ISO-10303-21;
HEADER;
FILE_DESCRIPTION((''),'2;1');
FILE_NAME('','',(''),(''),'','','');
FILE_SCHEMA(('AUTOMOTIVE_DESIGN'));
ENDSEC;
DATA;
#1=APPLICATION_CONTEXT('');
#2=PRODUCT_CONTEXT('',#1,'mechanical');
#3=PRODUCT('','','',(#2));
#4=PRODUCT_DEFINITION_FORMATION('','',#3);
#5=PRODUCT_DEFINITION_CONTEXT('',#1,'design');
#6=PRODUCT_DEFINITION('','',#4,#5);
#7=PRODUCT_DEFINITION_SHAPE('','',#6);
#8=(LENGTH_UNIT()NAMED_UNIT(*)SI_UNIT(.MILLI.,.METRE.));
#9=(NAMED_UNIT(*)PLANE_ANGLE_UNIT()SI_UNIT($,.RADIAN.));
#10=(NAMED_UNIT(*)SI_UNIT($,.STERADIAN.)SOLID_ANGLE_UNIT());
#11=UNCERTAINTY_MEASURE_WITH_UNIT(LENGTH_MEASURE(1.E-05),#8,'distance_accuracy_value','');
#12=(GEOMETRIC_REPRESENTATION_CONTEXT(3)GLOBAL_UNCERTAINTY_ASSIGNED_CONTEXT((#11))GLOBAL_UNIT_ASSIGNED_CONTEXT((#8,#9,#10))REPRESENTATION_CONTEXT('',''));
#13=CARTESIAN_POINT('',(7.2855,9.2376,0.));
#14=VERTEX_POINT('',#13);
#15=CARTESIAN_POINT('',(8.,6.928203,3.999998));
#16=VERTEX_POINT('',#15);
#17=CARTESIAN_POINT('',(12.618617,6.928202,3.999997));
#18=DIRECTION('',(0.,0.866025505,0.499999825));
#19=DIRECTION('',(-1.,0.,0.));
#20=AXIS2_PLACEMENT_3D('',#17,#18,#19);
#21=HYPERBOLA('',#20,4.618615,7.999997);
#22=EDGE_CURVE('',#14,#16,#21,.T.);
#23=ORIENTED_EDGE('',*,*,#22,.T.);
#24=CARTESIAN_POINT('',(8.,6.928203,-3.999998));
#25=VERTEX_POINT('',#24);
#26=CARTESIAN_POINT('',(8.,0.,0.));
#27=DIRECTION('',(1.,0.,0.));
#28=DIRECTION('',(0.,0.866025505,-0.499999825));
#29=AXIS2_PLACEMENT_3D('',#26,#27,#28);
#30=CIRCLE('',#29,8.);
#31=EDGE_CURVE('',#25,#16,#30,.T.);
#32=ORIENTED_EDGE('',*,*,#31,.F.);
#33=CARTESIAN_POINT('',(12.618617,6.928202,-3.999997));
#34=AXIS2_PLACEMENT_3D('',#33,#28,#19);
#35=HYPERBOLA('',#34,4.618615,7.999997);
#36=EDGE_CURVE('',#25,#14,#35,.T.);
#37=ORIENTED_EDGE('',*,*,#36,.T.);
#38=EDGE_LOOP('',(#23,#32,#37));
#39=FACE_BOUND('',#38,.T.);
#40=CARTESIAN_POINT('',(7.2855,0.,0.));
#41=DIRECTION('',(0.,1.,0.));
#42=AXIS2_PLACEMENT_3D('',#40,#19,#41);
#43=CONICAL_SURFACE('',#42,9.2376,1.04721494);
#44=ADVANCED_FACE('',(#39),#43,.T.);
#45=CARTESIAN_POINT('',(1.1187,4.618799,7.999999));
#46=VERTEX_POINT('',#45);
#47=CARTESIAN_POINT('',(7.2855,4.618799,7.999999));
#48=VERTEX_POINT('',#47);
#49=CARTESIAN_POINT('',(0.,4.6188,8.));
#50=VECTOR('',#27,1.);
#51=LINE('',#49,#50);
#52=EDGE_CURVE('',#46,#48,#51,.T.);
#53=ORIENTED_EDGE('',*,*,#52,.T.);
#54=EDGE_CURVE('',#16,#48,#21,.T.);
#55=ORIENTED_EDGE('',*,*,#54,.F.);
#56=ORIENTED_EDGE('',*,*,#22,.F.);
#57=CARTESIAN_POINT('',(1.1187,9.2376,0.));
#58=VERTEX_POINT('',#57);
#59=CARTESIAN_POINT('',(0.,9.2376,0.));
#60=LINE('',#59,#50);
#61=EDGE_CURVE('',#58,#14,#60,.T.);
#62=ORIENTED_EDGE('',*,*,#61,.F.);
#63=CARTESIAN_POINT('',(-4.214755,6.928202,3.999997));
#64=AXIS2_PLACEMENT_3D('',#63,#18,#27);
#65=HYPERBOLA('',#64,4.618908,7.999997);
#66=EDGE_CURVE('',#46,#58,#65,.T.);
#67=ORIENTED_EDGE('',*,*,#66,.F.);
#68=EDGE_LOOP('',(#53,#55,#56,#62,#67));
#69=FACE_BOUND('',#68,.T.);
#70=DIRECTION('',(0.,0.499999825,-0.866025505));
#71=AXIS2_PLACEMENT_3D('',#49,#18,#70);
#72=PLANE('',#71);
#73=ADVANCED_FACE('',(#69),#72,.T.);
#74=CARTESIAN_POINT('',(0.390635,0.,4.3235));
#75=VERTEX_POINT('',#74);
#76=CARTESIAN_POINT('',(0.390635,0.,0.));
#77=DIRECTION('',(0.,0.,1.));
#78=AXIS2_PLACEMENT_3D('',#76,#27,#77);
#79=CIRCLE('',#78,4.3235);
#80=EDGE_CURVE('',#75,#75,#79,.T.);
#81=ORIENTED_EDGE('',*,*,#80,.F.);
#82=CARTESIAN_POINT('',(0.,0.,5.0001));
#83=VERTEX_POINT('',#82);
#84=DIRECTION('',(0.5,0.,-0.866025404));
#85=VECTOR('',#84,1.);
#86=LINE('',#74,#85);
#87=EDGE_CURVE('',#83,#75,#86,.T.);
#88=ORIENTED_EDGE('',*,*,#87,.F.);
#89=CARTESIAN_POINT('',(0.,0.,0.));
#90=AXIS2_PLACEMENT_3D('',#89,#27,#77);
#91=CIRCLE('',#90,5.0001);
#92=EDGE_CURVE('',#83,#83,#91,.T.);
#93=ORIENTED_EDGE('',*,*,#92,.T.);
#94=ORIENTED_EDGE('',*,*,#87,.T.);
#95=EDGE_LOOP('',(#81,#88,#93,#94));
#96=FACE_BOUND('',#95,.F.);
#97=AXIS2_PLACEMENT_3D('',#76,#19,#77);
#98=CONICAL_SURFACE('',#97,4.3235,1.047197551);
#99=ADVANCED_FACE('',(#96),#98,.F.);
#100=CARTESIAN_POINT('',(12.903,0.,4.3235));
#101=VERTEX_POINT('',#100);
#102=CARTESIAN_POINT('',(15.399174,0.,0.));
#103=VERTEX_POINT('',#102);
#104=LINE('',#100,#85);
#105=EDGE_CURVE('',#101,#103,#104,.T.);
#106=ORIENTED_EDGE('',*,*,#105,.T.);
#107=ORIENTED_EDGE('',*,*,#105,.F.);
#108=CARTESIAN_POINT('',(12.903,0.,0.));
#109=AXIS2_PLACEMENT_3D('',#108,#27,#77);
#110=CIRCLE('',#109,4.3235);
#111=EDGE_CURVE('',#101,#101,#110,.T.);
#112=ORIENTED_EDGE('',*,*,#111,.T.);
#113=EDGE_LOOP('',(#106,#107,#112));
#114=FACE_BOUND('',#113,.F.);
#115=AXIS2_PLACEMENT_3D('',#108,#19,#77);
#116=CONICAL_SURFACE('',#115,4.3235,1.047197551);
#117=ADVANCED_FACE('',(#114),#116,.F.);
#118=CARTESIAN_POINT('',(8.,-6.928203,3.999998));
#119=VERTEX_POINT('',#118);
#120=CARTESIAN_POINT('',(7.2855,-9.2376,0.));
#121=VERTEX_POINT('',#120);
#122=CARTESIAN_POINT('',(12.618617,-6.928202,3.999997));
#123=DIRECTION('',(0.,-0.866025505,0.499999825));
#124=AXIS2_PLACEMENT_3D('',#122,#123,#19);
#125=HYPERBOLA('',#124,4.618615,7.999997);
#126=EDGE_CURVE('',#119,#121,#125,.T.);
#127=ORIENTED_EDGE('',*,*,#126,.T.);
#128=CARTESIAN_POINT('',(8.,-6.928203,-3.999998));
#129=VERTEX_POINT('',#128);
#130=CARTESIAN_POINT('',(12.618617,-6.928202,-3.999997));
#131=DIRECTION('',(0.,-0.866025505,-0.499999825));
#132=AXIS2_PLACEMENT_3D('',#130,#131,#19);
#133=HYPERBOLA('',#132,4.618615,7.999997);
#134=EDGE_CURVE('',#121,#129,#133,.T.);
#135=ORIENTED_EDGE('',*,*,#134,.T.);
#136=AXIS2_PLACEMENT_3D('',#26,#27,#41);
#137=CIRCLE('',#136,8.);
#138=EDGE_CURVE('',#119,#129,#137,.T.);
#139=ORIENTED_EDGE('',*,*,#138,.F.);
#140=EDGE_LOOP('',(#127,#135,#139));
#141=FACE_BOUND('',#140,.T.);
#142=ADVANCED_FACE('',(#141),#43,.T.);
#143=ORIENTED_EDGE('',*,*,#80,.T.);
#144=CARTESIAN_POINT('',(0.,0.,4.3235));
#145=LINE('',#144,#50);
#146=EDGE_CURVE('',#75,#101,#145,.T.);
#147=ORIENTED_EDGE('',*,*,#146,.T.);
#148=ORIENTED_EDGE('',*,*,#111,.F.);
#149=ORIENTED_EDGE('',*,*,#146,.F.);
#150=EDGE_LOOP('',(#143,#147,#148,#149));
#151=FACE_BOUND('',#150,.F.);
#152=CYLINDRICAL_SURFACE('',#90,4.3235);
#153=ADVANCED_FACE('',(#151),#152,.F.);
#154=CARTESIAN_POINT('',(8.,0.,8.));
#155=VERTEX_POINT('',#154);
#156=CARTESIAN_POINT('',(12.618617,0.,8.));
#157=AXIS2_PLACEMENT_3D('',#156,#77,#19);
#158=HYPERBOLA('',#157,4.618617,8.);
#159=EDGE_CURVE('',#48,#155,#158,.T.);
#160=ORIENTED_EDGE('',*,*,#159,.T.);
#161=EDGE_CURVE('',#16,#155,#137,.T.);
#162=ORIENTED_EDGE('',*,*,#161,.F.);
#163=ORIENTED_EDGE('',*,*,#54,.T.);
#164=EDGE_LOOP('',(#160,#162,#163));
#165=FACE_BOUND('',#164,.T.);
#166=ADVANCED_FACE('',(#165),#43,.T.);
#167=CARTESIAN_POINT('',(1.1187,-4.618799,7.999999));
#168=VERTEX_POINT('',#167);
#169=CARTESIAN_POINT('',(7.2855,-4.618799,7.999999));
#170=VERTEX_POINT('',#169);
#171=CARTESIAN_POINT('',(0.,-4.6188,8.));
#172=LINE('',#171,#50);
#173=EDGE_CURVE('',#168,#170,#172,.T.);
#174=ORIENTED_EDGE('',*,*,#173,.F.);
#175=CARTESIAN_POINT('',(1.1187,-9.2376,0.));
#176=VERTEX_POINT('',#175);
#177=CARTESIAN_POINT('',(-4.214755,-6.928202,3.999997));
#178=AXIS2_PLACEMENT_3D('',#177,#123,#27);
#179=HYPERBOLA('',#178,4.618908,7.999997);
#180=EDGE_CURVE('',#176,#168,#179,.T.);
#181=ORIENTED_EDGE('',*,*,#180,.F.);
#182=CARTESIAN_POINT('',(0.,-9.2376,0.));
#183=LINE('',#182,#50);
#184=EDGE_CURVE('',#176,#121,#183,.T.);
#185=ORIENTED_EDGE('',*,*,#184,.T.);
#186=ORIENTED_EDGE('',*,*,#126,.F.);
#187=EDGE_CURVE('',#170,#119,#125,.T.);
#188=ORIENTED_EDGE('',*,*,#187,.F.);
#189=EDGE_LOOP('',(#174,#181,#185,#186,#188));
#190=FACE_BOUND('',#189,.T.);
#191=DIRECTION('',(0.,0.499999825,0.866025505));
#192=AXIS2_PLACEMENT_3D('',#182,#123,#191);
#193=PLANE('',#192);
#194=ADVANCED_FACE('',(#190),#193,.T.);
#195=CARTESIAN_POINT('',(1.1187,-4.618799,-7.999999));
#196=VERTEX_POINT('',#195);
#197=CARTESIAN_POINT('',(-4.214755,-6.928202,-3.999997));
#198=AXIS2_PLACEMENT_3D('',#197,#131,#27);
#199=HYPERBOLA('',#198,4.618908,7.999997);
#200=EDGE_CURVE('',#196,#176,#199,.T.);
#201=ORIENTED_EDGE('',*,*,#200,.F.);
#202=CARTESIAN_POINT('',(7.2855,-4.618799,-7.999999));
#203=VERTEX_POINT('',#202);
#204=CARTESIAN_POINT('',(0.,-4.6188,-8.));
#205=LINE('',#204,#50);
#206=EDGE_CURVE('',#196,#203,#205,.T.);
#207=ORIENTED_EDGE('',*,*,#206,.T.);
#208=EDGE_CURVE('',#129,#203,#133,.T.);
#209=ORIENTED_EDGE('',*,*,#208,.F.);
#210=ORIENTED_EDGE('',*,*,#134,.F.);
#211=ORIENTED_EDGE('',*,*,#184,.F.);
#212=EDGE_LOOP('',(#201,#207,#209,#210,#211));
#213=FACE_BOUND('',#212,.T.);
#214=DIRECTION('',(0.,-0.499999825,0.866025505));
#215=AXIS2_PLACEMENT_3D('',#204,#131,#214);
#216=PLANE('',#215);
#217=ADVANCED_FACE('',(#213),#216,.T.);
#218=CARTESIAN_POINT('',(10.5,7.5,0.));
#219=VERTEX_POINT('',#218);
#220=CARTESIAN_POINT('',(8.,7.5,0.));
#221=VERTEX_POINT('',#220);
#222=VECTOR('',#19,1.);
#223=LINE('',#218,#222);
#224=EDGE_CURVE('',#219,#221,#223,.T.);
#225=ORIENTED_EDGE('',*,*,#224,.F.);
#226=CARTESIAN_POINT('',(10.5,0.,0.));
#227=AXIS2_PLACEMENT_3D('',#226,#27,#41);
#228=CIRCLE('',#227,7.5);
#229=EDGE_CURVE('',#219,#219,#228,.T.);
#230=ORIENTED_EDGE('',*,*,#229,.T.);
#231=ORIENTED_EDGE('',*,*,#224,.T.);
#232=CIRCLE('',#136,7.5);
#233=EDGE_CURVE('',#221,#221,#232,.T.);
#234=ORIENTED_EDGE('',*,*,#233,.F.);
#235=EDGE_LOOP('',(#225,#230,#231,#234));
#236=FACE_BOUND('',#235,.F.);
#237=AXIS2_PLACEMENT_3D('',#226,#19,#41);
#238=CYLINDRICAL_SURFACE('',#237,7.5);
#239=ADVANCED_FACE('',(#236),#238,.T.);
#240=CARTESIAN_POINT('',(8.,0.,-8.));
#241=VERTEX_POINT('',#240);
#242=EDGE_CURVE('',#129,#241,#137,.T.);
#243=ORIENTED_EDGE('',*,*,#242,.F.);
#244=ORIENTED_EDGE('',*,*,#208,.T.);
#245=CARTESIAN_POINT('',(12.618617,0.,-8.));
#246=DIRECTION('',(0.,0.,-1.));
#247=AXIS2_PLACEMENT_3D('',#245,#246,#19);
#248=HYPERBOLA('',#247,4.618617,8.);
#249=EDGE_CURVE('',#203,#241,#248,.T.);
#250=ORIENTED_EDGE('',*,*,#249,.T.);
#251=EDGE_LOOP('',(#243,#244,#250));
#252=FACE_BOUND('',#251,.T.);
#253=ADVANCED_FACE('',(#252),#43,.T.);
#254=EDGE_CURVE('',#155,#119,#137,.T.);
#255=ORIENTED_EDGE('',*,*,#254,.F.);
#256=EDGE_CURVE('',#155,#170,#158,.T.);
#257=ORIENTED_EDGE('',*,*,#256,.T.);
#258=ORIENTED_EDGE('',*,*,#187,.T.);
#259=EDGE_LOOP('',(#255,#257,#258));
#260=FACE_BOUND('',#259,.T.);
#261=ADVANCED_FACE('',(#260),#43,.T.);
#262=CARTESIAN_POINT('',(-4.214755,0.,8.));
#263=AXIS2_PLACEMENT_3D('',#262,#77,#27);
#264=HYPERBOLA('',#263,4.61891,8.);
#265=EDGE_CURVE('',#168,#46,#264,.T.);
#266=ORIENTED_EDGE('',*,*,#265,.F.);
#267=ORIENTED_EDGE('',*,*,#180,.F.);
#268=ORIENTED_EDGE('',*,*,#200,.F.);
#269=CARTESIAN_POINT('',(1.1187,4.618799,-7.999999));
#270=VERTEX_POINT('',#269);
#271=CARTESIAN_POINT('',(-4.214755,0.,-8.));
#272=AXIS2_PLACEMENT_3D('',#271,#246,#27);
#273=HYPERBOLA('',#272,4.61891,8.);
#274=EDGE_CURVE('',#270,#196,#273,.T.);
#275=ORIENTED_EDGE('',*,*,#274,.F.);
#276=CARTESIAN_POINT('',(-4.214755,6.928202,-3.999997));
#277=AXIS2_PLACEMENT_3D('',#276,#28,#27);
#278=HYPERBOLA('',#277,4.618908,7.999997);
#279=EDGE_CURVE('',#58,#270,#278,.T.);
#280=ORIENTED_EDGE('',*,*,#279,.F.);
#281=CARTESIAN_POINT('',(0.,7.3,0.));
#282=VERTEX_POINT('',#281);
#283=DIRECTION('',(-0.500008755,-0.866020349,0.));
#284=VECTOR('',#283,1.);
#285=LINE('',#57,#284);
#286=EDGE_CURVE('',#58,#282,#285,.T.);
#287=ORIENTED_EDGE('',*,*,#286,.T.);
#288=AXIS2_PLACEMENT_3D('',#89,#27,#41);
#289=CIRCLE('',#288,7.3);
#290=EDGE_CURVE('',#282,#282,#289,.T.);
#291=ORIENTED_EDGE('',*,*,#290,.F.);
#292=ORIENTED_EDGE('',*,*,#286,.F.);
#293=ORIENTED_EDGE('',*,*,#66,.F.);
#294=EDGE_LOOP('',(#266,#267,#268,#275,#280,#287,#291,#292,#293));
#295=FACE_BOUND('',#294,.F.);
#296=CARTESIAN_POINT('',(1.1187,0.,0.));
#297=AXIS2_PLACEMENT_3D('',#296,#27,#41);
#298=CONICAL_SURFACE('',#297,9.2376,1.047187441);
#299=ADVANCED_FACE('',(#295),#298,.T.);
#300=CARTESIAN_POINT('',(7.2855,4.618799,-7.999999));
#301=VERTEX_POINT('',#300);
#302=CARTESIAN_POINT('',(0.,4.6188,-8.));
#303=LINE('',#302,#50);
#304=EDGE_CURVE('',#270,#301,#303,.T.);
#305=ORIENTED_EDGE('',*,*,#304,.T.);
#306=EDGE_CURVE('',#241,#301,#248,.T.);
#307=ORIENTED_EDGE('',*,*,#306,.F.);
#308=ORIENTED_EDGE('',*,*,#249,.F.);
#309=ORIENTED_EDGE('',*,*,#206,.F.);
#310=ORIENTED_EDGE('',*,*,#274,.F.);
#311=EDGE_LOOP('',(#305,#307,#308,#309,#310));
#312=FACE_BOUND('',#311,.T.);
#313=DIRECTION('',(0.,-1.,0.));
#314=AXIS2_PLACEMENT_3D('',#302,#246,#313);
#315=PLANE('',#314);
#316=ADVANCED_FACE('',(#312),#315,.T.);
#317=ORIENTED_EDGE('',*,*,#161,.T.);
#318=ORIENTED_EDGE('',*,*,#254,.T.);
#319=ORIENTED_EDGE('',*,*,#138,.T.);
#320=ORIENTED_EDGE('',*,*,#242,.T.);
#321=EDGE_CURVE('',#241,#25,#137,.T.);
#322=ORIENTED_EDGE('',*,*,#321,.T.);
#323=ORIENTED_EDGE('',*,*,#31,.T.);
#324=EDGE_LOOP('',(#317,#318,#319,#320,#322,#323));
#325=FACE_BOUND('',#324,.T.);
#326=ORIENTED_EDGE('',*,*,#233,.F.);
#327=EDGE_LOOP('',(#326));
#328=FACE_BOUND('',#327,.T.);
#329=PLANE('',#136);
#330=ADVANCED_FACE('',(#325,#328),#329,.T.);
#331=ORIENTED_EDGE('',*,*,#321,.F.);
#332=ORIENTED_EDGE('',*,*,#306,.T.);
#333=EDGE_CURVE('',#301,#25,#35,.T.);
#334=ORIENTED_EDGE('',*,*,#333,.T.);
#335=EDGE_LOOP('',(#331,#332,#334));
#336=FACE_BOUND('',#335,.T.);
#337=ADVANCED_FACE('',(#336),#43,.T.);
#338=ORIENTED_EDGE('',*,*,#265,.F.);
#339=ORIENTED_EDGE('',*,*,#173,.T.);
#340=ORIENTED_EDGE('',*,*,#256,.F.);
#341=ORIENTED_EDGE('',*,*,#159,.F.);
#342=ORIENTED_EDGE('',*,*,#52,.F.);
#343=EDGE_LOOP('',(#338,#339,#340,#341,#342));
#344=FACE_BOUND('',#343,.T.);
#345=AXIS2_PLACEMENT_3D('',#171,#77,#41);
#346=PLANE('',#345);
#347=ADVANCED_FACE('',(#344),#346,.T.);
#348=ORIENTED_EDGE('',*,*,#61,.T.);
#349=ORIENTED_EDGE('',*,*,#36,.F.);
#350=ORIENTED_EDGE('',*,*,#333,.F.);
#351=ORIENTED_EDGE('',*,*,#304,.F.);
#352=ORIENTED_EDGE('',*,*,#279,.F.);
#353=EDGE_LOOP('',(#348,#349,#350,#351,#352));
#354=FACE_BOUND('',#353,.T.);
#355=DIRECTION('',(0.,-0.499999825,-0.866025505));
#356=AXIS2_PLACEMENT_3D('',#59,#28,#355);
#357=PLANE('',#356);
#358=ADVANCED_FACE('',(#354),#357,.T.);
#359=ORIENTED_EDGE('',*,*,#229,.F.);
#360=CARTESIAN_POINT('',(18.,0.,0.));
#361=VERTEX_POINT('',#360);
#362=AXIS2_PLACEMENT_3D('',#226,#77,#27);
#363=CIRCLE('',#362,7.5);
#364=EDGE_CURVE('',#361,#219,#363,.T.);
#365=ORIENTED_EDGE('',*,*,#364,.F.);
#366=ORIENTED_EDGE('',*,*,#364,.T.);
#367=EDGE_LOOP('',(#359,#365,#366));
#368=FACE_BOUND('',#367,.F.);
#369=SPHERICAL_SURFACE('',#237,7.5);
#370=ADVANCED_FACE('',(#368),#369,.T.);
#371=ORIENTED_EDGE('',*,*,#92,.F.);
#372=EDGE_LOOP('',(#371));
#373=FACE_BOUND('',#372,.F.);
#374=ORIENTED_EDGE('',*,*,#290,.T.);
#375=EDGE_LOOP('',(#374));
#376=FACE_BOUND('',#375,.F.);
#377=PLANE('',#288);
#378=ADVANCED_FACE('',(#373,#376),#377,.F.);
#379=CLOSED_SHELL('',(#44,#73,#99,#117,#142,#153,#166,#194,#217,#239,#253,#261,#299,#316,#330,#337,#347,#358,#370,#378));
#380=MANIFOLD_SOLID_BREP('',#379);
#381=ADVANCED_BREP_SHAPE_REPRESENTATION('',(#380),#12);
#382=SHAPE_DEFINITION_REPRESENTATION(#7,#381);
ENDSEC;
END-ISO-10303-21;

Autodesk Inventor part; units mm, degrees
ref_plane "YZ Plane" through (0, 0, 0) normal (1, 0, 0) x (0, 1, 0)
ref_plane "XZ Plane" through (0, 0, 0) normal (0, 1, 0) x (-1, 0, 0)
sketch "Skizze1" plane through (0, 0, 0) normal (1, 0, 0) x (0, 1, 0)
  line L0 (-4.6188, -8) -> (-9.2376, 0)
  line L1 (-9.2376, 0) -> (-4.6188, 8)
  line L2 (-4.6188, 8) -> (4.6188, 8)
  line L3 (4.6188, 8) -> (9.2376, 0)
  line L4 (9.2376, 0) -> (4.6188, -8)
  line L5 (4.6188, -8) -> (-4.6188, -8)
  point P0 (0, 0)
  point P1 (0, 0)
  dimension "d0" = 18.4752
extrude "Körper" add sketch "Skizze1" along normal blind 8
sketch "Skizze2" plane through (0, 0, 0) normal (0, 0, 1) x (1, 0, 0)
  line L0 (8, 0) -> (18, 0)
  arc A0 (18, 0) -> (10.5, 7.5) centre (10.5, 0) ccw
  line L1 (10.5, 7.5) -> (8, 7.5)
  line L2 (8, -4.6188) -> (8, 4.6188) projected
  line L3 (8, 0) -> (8, 7.5)
  line L4 (5.6893, 0) -> (21.864, 0) projected
  dimension "d8" = 7.5
  dimension "d9" = 10
revolve "Kopf" add sketch "Skizze2" angle 360 about axis through (8, 0, 0) along (1, 0, 0)
sketch "Skizze3" plane through (0, 0, 0) normal (-1, 0, 0) x (0, 0, 1)
  line L0 (0, -12.9326) -> (0, 12.9326) projected
  line L1 (-11.2, 0) -> (11.2, 0) projected
  point P0 (0, 0)
hole "Gewinde" at (0, 0, 0) direction (1, 0, 0) diameter 8.647 depth 12.903 tip angle 120 thread size "M10x1.25" class "6H" standard "ISO Metric profile"
sketch "Skizze4" plane through (0, 0, 0) normal (0, 0, 1) x (1, 0, 0)
  line L0 (0, 4.6188) -> (0, 9.2376) projected
  line L1 (0, 9.2376) -> (8, 9.2376) projected
  line L2 (8, 4.6188) -> (8, 9.2376) projected
  line L3 (-1.6, 0) -> (9.6, 0) projected
  line L4 (1.1187, 9.2376) -> (0, 7.3)
  line L5 (7.2855, 9.2376) -> (8, 8)
  dimension "d3" = 14.6
  dimension "d4" = 30
  dimension "d5" = 16
  dimension "d6" = 30
revolve "Fase1" cut sketch "Skizze4" angle 360 about axis through (-10, 0, 0) along (1, 0, 0)
chamfer "Fase2" distance 0.6766 angle 30 1 edges at (0, 0, -4.3235) measured on face at (0, 6.2266, -0.756)
ref_plane "Work Plane1" through (6.4515, 0, 0) normal (0, 0.866, -0.5) x (-1, 0, 0)
equation "\"d0\" = 1.1547 * SW"
equation "\"d1\" = SIH"
equation "\"d8\" = KR"
equation "\"d9\" = KOH1 - SIH"
equation "\"d11\" = GEL"
equation "\"d12\" = 1.02 * GEL"
equation "\"d3\" = SW0"
equation "\"d4\" = ANG1"
equation "\"d5\" = SW01"
equation "\"d6\" = ANG2"
equation "\"d14\" = -0.5 * GD1 + 0.5 * NND"
equation "\"d36\" = -0.5 * GD1 + 0.5 * NND"
equation "\"ANG1\" = 30deg"
equation "\"ANG2\" = 30deg"
equation "\"SIH\" = 8"
equation "\"KOH1\" = 18"
equation "\"GEL\" = 12.65"
equation "\"SW\" = 16"
equation "\"KR\" = 7.5"
equation "\"SW0\" = 14.6"
equation "\"SW01\" = SW"
equation "\"GUL\" = 0.541266 * PTC"
equation "\"TOA\" = 30deg"
equation "\"PTC\" = 1.25"
equation "\"E0\" = 1.155 * SW"
equation "\"GAL\" = 0.541266 * PTC"
equation "\"GD1\" = 8.646835"
equation "\"NND\" = 10"
properties part number "DIN 1587 - M10 x 1,25 - SW16" material "Stahl, weich"
